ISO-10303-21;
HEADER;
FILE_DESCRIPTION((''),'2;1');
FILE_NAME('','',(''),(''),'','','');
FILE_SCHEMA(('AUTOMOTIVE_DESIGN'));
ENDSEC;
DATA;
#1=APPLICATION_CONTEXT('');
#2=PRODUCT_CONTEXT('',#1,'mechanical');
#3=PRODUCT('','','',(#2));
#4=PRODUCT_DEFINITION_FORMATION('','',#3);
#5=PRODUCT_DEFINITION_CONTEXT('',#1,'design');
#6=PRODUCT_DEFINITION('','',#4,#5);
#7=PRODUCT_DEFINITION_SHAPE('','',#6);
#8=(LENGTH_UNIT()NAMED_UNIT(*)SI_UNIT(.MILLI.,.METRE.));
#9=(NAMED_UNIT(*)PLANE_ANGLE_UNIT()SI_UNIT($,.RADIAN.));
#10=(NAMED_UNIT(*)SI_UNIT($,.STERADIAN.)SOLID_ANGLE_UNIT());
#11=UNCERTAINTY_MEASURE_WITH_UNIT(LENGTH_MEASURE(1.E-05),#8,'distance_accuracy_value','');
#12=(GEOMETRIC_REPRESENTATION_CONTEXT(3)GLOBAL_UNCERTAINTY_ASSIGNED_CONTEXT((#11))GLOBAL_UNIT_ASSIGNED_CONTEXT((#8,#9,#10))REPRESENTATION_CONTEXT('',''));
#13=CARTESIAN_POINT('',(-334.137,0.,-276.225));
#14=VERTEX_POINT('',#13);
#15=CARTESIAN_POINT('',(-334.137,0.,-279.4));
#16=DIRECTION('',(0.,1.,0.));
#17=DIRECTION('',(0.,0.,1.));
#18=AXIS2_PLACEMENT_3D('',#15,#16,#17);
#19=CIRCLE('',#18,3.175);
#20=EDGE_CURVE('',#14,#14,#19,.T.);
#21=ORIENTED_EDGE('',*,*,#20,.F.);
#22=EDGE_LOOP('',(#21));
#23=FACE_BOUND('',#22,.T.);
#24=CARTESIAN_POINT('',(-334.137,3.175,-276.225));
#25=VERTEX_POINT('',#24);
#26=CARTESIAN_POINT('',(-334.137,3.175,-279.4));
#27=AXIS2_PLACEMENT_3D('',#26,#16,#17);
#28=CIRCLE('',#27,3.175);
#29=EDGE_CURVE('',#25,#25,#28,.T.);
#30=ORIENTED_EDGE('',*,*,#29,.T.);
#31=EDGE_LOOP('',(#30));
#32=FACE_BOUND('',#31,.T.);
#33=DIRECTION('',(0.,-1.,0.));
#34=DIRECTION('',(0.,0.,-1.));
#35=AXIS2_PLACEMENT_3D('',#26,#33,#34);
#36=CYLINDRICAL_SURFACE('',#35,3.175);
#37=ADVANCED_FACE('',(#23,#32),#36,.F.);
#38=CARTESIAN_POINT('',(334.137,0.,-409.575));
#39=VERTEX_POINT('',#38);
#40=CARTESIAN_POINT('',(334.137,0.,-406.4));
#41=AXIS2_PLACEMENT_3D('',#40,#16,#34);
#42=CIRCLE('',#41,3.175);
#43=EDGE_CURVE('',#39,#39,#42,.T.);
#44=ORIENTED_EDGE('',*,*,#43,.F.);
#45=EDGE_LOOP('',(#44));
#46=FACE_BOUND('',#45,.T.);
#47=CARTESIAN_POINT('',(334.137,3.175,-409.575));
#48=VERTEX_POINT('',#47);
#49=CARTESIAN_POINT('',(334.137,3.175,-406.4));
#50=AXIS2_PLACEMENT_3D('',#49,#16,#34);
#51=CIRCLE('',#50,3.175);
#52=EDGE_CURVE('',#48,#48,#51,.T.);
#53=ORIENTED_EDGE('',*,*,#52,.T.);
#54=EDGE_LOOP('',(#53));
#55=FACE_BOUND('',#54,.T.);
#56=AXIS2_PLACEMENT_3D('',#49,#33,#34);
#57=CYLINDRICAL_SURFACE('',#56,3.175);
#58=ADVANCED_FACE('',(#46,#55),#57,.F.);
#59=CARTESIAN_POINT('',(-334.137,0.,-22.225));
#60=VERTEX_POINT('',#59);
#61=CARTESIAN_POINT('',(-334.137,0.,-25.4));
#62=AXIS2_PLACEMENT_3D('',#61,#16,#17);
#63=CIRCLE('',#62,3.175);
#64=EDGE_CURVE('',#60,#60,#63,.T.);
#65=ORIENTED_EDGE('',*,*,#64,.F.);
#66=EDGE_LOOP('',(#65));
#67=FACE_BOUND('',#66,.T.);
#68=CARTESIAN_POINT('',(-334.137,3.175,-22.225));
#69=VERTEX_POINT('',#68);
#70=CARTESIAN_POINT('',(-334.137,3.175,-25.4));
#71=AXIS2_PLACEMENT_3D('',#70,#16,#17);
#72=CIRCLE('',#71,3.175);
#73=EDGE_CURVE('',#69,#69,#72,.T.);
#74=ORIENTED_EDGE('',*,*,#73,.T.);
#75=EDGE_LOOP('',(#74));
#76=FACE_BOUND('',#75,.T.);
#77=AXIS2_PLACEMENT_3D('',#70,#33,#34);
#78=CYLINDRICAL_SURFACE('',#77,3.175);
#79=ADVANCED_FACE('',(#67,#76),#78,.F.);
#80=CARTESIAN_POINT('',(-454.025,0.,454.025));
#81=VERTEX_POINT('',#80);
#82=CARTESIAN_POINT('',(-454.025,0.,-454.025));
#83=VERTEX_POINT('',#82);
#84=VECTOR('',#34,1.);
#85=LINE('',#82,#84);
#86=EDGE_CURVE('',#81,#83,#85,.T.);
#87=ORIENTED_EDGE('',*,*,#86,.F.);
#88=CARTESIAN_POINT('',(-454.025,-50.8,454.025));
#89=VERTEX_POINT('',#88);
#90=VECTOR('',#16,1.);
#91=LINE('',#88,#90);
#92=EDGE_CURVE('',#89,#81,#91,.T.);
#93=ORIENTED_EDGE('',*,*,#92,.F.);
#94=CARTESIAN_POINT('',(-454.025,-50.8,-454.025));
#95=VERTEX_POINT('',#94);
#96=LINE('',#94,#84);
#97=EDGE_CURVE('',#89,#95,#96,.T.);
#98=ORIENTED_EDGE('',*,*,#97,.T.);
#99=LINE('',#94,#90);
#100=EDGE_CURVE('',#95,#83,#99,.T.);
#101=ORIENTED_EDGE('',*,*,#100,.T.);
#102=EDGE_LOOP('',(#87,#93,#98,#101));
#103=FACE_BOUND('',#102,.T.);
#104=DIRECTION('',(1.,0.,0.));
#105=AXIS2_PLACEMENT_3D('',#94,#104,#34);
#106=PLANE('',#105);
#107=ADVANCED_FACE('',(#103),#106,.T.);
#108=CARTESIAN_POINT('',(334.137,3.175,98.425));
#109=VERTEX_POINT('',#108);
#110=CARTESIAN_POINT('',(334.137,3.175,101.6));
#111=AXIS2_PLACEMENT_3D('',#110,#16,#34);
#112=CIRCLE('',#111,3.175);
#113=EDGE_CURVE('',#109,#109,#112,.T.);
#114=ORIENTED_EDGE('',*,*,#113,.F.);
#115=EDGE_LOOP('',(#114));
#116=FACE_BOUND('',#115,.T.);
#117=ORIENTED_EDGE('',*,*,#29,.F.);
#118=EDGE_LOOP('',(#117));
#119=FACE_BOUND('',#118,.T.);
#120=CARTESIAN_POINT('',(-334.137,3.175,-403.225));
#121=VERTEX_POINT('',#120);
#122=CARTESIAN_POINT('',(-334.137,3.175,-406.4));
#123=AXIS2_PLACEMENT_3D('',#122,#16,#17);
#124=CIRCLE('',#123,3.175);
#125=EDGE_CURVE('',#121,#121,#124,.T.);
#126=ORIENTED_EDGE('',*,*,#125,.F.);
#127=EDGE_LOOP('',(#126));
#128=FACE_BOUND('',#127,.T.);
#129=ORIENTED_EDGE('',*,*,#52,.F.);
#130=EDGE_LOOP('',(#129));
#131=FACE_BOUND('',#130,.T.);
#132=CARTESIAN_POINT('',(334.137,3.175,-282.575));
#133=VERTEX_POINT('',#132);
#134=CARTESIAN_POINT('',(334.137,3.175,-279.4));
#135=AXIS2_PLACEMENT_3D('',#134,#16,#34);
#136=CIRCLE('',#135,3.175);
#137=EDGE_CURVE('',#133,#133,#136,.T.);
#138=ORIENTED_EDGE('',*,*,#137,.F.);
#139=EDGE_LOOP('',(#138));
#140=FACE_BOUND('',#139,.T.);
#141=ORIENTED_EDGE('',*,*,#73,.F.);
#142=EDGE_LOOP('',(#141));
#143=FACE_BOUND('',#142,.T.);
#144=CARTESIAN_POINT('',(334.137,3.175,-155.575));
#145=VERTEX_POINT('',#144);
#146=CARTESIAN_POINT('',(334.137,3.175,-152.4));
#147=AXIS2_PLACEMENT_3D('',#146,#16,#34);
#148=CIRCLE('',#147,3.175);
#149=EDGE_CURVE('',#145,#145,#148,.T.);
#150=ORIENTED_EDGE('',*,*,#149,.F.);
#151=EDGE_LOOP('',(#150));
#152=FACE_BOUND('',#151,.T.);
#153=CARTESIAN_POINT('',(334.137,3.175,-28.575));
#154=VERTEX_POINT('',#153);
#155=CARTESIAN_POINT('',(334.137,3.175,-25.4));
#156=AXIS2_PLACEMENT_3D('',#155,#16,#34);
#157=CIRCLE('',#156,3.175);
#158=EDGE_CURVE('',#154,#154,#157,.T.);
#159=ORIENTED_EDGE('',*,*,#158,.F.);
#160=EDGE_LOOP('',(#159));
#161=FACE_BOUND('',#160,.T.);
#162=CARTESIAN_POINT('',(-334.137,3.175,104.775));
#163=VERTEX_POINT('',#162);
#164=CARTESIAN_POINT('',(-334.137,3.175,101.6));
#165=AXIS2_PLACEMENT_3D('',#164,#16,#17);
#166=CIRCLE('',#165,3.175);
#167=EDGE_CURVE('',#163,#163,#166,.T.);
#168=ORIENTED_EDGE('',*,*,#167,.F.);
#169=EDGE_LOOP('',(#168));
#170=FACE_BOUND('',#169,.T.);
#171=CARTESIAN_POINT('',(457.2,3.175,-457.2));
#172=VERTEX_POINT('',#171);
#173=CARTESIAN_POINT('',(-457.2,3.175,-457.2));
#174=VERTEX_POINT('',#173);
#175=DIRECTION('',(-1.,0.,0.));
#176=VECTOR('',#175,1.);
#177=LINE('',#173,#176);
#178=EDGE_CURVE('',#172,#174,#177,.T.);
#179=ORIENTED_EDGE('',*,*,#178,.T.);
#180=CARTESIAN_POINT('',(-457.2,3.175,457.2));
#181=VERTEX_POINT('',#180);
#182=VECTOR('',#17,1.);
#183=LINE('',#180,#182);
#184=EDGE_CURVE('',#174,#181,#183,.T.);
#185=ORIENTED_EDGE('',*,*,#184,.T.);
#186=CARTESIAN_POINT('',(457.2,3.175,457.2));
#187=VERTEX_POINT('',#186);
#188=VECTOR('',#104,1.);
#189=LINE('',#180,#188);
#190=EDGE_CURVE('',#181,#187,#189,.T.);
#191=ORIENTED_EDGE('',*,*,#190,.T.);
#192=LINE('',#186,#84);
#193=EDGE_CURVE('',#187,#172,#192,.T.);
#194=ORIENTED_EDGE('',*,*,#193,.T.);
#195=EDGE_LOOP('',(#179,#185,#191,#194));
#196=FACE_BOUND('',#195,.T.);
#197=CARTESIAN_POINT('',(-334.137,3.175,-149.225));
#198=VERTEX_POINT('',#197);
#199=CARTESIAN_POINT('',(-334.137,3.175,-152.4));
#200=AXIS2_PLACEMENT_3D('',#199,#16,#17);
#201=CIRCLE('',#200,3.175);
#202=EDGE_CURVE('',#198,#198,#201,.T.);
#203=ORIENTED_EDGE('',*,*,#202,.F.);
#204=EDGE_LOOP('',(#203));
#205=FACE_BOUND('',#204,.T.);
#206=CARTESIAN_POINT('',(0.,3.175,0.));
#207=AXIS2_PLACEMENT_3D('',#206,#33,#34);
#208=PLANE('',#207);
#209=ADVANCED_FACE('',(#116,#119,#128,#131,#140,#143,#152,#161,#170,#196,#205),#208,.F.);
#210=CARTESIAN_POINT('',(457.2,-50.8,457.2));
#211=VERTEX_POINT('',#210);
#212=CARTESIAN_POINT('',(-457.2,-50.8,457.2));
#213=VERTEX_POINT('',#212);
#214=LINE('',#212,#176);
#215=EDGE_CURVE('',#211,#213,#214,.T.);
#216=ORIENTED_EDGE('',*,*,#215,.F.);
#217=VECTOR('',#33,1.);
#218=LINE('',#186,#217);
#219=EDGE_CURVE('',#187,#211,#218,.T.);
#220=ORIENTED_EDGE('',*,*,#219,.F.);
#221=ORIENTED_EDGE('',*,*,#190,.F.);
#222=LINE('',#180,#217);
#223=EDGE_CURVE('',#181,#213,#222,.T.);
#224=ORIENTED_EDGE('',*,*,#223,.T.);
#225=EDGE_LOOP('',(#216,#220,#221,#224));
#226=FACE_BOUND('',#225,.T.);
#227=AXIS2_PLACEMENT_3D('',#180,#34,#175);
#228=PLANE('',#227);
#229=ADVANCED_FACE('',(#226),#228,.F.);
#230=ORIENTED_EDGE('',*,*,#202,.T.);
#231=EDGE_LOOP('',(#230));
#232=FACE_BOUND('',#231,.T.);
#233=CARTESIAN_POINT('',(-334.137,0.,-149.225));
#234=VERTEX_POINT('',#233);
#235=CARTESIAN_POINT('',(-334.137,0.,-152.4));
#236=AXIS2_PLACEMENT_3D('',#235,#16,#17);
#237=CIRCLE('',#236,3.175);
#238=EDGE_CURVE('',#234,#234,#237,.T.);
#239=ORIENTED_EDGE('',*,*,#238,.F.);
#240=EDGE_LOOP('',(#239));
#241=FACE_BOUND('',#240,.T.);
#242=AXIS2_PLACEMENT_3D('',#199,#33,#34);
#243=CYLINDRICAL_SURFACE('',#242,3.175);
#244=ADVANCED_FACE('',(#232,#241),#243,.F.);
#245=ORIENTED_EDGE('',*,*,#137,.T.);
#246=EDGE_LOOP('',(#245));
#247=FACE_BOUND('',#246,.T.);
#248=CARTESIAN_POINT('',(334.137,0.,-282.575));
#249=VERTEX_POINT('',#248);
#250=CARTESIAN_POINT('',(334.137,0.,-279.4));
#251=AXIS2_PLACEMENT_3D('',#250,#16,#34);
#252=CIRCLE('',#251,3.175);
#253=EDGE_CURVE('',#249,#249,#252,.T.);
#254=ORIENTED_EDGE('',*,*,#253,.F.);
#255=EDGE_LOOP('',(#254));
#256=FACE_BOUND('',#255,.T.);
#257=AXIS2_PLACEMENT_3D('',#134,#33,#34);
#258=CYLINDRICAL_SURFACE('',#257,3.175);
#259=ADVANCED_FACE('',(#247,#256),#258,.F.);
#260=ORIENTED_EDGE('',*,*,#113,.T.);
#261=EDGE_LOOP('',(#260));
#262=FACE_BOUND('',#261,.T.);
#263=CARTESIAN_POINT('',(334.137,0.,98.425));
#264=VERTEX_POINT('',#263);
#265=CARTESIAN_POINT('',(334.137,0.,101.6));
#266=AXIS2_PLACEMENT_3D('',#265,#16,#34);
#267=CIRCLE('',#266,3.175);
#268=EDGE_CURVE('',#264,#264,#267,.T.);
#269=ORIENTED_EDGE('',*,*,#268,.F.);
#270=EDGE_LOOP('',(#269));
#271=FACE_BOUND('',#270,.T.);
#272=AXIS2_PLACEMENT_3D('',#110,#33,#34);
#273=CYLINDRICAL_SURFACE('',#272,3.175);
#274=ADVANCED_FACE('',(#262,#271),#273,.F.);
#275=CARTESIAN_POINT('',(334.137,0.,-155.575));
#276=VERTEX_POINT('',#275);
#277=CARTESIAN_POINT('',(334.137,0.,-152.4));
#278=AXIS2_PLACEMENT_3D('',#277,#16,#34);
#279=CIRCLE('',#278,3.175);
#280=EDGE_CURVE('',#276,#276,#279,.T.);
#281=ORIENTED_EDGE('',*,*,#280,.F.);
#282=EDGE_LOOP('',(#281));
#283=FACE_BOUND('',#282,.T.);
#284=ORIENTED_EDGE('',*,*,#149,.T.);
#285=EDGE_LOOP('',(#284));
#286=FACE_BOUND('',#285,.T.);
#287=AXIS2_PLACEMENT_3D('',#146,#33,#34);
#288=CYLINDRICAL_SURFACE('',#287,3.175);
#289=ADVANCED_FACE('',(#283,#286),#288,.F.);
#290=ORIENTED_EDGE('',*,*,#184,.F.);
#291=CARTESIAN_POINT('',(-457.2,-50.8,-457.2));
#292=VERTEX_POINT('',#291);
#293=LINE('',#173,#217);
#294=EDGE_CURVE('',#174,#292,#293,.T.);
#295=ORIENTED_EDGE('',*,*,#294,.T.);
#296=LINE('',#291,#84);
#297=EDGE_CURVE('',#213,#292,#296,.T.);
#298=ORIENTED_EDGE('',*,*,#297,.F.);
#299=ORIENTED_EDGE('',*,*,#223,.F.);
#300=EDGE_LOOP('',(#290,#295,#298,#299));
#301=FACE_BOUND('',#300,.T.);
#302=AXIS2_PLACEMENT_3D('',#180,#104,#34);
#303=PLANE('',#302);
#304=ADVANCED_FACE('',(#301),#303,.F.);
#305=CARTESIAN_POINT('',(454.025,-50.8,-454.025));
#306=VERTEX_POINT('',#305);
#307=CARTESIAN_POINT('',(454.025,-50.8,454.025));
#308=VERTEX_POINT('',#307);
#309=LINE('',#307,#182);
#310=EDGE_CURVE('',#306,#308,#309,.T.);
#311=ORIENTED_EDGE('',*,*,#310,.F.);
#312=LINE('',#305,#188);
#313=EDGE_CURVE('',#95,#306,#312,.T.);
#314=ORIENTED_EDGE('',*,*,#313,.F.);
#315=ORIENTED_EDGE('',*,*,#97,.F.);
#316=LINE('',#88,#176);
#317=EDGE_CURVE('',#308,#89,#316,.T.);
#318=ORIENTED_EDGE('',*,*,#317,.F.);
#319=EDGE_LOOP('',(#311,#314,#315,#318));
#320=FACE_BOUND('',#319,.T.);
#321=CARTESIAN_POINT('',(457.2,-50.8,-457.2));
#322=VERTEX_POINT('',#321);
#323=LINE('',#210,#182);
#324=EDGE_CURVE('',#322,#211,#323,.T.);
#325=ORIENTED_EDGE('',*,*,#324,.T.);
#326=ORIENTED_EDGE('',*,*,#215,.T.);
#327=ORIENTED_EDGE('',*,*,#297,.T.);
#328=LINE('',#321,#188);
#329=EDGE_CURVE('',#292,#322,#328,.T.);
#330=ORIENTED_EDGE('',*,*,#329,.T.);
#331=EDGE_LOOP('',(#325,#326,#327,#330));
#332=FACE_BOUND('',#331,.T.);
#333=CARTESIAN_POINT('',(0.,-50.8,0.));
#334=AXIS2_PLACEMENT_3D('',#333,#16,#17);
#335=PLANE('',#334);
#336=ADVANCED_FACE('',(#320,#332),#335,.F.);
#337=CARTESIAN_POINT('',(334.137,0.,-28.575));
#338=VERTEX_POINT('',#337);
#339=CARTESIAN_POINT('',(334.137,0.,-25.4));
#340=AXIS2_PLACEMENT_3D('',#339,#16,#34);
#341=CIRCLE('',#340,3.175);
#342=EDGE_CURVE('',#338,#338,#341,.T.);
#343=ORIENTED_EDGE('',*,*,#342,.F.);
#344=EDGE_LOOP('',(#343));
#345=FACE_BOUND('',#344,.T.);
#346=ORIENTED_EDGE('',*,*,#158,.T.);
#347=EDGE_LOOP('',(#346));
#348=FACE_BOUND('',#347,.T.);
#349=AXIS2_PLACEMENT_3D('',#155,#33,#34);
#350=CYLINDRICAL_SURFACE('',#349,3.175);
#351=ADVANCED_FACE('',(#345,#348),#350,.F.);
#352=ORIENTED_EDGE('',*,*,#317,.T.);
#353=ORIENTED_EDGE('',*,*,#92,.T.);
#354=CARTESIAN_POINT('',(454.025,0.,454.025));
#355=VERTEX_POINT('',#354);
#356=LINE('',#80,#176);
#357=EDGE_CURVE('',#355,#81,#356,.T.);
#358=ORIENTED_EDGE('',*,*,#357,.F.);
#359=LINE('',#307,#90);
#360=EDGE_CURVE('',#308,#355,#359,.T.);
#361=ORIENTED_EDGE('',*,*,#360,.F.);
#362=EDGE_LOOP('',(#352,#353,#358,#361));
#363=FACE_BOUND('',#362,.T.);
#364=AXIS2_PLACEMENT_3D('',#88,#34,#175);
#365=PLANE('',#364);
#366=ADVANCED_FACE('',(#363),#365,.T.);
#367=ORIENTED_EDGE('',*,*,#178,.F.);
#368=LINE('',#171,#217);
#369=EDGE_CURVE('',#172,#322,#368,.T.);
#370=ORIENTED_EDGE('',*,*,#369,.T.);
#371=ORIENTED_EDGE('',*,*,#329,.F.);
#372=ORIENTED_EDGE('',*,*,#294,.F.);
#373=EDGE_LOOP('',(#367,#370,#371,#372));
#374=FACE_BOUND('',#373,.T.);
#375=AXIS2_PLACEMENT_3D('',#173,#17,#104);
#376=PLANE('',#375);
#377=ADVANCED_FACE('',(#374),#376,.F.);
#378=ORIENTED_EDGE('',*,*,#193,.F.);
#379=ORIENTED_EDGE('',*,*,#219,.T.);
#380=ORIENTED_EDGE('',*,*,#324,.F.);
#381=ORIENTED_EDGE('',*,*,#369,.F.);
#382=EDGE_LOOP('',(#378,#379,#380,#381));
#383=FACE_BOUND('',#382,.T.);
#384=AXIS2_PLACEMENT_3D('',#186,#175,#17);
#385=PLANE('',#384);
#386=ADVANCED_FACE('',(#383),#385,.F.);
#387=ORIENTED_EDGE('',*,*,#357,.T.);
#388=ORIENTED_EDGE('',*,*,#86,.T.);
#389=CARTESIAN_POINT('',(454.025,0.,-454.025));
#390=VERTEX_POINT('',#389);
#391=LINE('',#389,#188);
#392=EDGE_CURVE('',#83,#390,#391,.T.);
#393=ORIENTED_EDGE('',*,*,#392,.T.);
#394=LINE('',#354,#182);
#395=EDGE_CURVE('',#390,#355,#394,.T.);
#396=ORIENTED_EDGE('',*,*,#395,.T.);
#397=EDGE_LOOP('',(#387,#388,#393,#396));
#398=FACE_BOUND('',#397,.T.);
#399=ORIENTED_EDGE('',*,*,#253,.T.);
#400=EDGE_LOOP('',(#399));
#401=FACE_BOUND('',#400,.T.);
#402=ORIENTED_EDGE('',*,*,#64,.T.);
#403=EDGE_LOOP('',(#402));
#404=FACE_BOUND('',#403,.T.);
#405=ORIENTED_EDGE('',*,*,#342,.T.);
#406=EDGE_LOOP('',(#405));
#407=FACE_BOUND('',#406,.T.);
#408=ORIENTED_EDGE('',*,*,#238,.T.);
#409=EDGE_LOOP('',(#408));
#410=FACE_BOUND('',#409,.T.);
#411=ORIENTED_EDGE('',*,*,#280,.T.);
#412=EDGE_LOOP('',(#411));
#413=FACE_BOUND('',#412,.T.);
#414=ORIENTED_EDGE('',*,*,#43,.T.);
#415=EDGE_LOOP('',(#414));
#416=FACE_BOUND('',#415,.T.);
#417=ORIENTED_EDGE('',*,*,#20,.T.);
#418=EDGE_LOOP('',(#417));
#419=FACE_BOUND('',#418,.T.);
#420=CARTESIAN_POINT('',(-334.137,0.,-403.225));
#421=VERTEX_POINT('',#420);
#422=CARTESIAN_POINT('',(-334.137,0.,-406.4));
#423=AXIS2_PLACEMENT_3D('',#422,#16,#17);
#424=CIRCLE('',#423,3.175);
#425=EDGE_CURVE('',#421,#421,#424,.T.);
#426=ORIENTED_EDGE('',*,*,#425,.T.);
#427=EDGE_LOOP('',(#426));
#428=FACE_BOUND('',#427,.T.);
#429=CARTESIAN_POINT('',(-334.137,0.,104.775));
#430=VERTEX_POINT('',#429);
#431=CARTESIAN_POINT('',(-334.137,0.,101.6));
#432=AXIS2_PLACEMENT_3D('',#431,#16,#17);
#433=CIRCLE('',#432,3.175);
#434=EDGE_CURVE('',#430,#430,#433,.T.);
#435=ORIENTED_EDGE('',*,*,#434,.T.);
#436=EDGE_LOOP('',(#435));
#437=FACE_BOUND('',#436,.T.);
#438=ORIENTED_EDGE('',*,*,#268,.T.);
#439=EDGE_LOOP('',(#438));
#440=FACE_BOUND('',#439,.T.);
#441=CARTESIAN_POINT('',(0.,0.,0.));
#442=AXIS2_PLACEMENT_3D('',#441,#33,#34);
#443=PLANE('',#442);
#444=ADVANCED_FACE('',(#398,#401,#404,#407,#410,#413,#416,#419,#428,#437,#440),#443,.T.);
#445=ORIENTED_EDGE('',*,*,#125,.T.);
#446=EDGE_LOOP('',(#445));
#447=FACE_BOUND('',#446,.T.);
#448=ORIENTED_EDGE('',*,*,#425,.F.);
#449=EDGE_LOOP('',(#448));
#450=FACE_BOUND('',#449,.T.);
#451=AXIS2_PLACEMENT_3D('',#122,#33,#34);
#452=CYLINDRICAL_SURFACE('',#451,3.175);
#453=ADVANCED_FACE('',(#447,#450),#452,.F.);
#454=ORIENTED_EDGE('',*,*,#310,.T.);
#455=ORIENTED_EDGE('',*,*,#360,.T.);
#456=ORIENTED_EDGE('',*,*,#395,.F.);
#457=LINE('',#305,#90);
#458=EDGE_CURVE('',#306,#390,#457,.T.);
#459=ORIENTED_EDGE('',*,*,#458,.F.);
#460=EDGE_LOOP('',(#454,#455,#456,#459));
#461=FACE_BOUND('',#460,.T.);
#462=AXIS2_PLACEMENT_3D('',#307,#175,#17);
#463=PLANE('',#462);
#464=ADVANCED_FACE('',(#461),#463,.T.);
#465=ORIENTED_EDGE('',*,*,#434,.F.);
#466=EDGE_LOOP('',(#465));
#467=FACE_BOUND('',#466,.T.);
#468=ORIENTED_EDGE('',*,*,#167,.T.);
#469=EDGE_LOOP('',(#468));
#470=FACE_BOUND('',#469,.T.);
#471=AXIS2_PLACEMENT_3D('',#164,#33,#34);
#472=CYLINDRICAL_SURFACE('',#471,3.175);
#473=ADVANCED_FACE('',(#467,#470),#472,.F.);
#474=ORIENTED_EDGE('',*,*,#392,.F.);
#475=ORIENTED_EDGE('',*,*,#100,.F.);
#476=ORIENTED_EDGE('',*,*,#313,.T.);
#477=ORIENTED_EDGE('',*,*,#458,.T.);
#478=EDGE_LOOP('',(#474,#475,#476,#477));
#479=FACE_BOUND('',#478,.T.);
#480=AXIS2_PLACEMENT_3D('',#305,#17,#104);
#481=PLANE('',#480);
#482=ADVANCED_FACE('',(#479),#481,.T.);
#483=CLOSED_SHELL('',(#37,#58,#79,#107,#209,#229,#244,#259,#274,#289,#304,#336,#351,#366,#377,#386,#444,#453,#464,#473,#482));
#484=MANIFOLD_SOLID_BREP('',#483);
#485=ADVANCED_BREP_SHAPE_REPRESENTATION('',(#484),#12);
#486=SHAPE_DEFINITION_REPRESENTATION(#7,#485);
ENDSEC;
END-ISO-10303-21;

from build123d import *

# Parameters (mm, degrees)
SKETCH1_W           = 914.4
SKETCH1_H           = 914.4
SKETCH1_R           = 3.175
BOSS_EXTRUDE1_DEPTH = 3.175
SKETCH4_W           = 914.4
SKETCH4_H           = 914.4
SKETCH4_W_2         = 908.05
SKETCH4_H_2         = 908.05
BOSS_EXTRUDE2_DEPTH = 50.8


with BuildPart() as part:
    # Sketch1 → Boss-Extrude1 (new body)
    with BuildSketch(Plane(origin=(0, 0, 0), x_dir=(1, 0, 0), z_dir=(0, 1, 0))):
        Rectangle(SKETCH1_W, SKETCH1_H)
        with Locations((-334.137, 406.4)):
            Circle(SKETCH1_R, mode=Mode.SUBTRACT)
        with Locations((-334.137, 279.4)):
            Circle(SKETCH1_R, mode=Mode.SUBTRACT)
        with Locations((-334.137, 152.4)):
            Circle(SKETCH1_R, mode=Mode.SUBTRACT)
        with Locations((-334.137, 25.4)):
            Circle(SKETCH1_R, mode=Mode.SUBTRACT)
        with Locations((-334.137, -101.6)):
            Circle(SKETCH1_R, mode=Mode.SUBTRACT)
        with Locations((334.137, -101.6)):
            Circle(SKETCH1_R, mode=Mode.SUBTRACT)
        with Locations((334.137, 25.4)):
            Circle(SKETCH1_R, mode=Mode.SUBTRACT)
        with Locations((334.137, 152.4)):
            Circle(SKETCH1_R, mode=Mode.SUBTRACT)
        with Locations((334.137, 279.4)):
            Circle(SKETCH1_R, mode=Mode.SUBTRACT)
        with Locations((334.137, 406.4)):
            Circle(SKETCH1_R, mode=Mode.SUBTRACT)
    extrude(amount=BOSS_EXTRUDE1_DEPTH)

    # Sketch4 → Boss-Extrude2 (add)
    with BuildSketch(Plane.XZ):
        Rectangle(SKETCH4_W, SKETCH4_H)
        Rectangle(SKETCH4_W_2, SKETCH4_H_2, mode=Mode.SUBTRACT)
    extrude(amount=BOSS_EXTRUDE2_DEPTH)


solid = part.part
